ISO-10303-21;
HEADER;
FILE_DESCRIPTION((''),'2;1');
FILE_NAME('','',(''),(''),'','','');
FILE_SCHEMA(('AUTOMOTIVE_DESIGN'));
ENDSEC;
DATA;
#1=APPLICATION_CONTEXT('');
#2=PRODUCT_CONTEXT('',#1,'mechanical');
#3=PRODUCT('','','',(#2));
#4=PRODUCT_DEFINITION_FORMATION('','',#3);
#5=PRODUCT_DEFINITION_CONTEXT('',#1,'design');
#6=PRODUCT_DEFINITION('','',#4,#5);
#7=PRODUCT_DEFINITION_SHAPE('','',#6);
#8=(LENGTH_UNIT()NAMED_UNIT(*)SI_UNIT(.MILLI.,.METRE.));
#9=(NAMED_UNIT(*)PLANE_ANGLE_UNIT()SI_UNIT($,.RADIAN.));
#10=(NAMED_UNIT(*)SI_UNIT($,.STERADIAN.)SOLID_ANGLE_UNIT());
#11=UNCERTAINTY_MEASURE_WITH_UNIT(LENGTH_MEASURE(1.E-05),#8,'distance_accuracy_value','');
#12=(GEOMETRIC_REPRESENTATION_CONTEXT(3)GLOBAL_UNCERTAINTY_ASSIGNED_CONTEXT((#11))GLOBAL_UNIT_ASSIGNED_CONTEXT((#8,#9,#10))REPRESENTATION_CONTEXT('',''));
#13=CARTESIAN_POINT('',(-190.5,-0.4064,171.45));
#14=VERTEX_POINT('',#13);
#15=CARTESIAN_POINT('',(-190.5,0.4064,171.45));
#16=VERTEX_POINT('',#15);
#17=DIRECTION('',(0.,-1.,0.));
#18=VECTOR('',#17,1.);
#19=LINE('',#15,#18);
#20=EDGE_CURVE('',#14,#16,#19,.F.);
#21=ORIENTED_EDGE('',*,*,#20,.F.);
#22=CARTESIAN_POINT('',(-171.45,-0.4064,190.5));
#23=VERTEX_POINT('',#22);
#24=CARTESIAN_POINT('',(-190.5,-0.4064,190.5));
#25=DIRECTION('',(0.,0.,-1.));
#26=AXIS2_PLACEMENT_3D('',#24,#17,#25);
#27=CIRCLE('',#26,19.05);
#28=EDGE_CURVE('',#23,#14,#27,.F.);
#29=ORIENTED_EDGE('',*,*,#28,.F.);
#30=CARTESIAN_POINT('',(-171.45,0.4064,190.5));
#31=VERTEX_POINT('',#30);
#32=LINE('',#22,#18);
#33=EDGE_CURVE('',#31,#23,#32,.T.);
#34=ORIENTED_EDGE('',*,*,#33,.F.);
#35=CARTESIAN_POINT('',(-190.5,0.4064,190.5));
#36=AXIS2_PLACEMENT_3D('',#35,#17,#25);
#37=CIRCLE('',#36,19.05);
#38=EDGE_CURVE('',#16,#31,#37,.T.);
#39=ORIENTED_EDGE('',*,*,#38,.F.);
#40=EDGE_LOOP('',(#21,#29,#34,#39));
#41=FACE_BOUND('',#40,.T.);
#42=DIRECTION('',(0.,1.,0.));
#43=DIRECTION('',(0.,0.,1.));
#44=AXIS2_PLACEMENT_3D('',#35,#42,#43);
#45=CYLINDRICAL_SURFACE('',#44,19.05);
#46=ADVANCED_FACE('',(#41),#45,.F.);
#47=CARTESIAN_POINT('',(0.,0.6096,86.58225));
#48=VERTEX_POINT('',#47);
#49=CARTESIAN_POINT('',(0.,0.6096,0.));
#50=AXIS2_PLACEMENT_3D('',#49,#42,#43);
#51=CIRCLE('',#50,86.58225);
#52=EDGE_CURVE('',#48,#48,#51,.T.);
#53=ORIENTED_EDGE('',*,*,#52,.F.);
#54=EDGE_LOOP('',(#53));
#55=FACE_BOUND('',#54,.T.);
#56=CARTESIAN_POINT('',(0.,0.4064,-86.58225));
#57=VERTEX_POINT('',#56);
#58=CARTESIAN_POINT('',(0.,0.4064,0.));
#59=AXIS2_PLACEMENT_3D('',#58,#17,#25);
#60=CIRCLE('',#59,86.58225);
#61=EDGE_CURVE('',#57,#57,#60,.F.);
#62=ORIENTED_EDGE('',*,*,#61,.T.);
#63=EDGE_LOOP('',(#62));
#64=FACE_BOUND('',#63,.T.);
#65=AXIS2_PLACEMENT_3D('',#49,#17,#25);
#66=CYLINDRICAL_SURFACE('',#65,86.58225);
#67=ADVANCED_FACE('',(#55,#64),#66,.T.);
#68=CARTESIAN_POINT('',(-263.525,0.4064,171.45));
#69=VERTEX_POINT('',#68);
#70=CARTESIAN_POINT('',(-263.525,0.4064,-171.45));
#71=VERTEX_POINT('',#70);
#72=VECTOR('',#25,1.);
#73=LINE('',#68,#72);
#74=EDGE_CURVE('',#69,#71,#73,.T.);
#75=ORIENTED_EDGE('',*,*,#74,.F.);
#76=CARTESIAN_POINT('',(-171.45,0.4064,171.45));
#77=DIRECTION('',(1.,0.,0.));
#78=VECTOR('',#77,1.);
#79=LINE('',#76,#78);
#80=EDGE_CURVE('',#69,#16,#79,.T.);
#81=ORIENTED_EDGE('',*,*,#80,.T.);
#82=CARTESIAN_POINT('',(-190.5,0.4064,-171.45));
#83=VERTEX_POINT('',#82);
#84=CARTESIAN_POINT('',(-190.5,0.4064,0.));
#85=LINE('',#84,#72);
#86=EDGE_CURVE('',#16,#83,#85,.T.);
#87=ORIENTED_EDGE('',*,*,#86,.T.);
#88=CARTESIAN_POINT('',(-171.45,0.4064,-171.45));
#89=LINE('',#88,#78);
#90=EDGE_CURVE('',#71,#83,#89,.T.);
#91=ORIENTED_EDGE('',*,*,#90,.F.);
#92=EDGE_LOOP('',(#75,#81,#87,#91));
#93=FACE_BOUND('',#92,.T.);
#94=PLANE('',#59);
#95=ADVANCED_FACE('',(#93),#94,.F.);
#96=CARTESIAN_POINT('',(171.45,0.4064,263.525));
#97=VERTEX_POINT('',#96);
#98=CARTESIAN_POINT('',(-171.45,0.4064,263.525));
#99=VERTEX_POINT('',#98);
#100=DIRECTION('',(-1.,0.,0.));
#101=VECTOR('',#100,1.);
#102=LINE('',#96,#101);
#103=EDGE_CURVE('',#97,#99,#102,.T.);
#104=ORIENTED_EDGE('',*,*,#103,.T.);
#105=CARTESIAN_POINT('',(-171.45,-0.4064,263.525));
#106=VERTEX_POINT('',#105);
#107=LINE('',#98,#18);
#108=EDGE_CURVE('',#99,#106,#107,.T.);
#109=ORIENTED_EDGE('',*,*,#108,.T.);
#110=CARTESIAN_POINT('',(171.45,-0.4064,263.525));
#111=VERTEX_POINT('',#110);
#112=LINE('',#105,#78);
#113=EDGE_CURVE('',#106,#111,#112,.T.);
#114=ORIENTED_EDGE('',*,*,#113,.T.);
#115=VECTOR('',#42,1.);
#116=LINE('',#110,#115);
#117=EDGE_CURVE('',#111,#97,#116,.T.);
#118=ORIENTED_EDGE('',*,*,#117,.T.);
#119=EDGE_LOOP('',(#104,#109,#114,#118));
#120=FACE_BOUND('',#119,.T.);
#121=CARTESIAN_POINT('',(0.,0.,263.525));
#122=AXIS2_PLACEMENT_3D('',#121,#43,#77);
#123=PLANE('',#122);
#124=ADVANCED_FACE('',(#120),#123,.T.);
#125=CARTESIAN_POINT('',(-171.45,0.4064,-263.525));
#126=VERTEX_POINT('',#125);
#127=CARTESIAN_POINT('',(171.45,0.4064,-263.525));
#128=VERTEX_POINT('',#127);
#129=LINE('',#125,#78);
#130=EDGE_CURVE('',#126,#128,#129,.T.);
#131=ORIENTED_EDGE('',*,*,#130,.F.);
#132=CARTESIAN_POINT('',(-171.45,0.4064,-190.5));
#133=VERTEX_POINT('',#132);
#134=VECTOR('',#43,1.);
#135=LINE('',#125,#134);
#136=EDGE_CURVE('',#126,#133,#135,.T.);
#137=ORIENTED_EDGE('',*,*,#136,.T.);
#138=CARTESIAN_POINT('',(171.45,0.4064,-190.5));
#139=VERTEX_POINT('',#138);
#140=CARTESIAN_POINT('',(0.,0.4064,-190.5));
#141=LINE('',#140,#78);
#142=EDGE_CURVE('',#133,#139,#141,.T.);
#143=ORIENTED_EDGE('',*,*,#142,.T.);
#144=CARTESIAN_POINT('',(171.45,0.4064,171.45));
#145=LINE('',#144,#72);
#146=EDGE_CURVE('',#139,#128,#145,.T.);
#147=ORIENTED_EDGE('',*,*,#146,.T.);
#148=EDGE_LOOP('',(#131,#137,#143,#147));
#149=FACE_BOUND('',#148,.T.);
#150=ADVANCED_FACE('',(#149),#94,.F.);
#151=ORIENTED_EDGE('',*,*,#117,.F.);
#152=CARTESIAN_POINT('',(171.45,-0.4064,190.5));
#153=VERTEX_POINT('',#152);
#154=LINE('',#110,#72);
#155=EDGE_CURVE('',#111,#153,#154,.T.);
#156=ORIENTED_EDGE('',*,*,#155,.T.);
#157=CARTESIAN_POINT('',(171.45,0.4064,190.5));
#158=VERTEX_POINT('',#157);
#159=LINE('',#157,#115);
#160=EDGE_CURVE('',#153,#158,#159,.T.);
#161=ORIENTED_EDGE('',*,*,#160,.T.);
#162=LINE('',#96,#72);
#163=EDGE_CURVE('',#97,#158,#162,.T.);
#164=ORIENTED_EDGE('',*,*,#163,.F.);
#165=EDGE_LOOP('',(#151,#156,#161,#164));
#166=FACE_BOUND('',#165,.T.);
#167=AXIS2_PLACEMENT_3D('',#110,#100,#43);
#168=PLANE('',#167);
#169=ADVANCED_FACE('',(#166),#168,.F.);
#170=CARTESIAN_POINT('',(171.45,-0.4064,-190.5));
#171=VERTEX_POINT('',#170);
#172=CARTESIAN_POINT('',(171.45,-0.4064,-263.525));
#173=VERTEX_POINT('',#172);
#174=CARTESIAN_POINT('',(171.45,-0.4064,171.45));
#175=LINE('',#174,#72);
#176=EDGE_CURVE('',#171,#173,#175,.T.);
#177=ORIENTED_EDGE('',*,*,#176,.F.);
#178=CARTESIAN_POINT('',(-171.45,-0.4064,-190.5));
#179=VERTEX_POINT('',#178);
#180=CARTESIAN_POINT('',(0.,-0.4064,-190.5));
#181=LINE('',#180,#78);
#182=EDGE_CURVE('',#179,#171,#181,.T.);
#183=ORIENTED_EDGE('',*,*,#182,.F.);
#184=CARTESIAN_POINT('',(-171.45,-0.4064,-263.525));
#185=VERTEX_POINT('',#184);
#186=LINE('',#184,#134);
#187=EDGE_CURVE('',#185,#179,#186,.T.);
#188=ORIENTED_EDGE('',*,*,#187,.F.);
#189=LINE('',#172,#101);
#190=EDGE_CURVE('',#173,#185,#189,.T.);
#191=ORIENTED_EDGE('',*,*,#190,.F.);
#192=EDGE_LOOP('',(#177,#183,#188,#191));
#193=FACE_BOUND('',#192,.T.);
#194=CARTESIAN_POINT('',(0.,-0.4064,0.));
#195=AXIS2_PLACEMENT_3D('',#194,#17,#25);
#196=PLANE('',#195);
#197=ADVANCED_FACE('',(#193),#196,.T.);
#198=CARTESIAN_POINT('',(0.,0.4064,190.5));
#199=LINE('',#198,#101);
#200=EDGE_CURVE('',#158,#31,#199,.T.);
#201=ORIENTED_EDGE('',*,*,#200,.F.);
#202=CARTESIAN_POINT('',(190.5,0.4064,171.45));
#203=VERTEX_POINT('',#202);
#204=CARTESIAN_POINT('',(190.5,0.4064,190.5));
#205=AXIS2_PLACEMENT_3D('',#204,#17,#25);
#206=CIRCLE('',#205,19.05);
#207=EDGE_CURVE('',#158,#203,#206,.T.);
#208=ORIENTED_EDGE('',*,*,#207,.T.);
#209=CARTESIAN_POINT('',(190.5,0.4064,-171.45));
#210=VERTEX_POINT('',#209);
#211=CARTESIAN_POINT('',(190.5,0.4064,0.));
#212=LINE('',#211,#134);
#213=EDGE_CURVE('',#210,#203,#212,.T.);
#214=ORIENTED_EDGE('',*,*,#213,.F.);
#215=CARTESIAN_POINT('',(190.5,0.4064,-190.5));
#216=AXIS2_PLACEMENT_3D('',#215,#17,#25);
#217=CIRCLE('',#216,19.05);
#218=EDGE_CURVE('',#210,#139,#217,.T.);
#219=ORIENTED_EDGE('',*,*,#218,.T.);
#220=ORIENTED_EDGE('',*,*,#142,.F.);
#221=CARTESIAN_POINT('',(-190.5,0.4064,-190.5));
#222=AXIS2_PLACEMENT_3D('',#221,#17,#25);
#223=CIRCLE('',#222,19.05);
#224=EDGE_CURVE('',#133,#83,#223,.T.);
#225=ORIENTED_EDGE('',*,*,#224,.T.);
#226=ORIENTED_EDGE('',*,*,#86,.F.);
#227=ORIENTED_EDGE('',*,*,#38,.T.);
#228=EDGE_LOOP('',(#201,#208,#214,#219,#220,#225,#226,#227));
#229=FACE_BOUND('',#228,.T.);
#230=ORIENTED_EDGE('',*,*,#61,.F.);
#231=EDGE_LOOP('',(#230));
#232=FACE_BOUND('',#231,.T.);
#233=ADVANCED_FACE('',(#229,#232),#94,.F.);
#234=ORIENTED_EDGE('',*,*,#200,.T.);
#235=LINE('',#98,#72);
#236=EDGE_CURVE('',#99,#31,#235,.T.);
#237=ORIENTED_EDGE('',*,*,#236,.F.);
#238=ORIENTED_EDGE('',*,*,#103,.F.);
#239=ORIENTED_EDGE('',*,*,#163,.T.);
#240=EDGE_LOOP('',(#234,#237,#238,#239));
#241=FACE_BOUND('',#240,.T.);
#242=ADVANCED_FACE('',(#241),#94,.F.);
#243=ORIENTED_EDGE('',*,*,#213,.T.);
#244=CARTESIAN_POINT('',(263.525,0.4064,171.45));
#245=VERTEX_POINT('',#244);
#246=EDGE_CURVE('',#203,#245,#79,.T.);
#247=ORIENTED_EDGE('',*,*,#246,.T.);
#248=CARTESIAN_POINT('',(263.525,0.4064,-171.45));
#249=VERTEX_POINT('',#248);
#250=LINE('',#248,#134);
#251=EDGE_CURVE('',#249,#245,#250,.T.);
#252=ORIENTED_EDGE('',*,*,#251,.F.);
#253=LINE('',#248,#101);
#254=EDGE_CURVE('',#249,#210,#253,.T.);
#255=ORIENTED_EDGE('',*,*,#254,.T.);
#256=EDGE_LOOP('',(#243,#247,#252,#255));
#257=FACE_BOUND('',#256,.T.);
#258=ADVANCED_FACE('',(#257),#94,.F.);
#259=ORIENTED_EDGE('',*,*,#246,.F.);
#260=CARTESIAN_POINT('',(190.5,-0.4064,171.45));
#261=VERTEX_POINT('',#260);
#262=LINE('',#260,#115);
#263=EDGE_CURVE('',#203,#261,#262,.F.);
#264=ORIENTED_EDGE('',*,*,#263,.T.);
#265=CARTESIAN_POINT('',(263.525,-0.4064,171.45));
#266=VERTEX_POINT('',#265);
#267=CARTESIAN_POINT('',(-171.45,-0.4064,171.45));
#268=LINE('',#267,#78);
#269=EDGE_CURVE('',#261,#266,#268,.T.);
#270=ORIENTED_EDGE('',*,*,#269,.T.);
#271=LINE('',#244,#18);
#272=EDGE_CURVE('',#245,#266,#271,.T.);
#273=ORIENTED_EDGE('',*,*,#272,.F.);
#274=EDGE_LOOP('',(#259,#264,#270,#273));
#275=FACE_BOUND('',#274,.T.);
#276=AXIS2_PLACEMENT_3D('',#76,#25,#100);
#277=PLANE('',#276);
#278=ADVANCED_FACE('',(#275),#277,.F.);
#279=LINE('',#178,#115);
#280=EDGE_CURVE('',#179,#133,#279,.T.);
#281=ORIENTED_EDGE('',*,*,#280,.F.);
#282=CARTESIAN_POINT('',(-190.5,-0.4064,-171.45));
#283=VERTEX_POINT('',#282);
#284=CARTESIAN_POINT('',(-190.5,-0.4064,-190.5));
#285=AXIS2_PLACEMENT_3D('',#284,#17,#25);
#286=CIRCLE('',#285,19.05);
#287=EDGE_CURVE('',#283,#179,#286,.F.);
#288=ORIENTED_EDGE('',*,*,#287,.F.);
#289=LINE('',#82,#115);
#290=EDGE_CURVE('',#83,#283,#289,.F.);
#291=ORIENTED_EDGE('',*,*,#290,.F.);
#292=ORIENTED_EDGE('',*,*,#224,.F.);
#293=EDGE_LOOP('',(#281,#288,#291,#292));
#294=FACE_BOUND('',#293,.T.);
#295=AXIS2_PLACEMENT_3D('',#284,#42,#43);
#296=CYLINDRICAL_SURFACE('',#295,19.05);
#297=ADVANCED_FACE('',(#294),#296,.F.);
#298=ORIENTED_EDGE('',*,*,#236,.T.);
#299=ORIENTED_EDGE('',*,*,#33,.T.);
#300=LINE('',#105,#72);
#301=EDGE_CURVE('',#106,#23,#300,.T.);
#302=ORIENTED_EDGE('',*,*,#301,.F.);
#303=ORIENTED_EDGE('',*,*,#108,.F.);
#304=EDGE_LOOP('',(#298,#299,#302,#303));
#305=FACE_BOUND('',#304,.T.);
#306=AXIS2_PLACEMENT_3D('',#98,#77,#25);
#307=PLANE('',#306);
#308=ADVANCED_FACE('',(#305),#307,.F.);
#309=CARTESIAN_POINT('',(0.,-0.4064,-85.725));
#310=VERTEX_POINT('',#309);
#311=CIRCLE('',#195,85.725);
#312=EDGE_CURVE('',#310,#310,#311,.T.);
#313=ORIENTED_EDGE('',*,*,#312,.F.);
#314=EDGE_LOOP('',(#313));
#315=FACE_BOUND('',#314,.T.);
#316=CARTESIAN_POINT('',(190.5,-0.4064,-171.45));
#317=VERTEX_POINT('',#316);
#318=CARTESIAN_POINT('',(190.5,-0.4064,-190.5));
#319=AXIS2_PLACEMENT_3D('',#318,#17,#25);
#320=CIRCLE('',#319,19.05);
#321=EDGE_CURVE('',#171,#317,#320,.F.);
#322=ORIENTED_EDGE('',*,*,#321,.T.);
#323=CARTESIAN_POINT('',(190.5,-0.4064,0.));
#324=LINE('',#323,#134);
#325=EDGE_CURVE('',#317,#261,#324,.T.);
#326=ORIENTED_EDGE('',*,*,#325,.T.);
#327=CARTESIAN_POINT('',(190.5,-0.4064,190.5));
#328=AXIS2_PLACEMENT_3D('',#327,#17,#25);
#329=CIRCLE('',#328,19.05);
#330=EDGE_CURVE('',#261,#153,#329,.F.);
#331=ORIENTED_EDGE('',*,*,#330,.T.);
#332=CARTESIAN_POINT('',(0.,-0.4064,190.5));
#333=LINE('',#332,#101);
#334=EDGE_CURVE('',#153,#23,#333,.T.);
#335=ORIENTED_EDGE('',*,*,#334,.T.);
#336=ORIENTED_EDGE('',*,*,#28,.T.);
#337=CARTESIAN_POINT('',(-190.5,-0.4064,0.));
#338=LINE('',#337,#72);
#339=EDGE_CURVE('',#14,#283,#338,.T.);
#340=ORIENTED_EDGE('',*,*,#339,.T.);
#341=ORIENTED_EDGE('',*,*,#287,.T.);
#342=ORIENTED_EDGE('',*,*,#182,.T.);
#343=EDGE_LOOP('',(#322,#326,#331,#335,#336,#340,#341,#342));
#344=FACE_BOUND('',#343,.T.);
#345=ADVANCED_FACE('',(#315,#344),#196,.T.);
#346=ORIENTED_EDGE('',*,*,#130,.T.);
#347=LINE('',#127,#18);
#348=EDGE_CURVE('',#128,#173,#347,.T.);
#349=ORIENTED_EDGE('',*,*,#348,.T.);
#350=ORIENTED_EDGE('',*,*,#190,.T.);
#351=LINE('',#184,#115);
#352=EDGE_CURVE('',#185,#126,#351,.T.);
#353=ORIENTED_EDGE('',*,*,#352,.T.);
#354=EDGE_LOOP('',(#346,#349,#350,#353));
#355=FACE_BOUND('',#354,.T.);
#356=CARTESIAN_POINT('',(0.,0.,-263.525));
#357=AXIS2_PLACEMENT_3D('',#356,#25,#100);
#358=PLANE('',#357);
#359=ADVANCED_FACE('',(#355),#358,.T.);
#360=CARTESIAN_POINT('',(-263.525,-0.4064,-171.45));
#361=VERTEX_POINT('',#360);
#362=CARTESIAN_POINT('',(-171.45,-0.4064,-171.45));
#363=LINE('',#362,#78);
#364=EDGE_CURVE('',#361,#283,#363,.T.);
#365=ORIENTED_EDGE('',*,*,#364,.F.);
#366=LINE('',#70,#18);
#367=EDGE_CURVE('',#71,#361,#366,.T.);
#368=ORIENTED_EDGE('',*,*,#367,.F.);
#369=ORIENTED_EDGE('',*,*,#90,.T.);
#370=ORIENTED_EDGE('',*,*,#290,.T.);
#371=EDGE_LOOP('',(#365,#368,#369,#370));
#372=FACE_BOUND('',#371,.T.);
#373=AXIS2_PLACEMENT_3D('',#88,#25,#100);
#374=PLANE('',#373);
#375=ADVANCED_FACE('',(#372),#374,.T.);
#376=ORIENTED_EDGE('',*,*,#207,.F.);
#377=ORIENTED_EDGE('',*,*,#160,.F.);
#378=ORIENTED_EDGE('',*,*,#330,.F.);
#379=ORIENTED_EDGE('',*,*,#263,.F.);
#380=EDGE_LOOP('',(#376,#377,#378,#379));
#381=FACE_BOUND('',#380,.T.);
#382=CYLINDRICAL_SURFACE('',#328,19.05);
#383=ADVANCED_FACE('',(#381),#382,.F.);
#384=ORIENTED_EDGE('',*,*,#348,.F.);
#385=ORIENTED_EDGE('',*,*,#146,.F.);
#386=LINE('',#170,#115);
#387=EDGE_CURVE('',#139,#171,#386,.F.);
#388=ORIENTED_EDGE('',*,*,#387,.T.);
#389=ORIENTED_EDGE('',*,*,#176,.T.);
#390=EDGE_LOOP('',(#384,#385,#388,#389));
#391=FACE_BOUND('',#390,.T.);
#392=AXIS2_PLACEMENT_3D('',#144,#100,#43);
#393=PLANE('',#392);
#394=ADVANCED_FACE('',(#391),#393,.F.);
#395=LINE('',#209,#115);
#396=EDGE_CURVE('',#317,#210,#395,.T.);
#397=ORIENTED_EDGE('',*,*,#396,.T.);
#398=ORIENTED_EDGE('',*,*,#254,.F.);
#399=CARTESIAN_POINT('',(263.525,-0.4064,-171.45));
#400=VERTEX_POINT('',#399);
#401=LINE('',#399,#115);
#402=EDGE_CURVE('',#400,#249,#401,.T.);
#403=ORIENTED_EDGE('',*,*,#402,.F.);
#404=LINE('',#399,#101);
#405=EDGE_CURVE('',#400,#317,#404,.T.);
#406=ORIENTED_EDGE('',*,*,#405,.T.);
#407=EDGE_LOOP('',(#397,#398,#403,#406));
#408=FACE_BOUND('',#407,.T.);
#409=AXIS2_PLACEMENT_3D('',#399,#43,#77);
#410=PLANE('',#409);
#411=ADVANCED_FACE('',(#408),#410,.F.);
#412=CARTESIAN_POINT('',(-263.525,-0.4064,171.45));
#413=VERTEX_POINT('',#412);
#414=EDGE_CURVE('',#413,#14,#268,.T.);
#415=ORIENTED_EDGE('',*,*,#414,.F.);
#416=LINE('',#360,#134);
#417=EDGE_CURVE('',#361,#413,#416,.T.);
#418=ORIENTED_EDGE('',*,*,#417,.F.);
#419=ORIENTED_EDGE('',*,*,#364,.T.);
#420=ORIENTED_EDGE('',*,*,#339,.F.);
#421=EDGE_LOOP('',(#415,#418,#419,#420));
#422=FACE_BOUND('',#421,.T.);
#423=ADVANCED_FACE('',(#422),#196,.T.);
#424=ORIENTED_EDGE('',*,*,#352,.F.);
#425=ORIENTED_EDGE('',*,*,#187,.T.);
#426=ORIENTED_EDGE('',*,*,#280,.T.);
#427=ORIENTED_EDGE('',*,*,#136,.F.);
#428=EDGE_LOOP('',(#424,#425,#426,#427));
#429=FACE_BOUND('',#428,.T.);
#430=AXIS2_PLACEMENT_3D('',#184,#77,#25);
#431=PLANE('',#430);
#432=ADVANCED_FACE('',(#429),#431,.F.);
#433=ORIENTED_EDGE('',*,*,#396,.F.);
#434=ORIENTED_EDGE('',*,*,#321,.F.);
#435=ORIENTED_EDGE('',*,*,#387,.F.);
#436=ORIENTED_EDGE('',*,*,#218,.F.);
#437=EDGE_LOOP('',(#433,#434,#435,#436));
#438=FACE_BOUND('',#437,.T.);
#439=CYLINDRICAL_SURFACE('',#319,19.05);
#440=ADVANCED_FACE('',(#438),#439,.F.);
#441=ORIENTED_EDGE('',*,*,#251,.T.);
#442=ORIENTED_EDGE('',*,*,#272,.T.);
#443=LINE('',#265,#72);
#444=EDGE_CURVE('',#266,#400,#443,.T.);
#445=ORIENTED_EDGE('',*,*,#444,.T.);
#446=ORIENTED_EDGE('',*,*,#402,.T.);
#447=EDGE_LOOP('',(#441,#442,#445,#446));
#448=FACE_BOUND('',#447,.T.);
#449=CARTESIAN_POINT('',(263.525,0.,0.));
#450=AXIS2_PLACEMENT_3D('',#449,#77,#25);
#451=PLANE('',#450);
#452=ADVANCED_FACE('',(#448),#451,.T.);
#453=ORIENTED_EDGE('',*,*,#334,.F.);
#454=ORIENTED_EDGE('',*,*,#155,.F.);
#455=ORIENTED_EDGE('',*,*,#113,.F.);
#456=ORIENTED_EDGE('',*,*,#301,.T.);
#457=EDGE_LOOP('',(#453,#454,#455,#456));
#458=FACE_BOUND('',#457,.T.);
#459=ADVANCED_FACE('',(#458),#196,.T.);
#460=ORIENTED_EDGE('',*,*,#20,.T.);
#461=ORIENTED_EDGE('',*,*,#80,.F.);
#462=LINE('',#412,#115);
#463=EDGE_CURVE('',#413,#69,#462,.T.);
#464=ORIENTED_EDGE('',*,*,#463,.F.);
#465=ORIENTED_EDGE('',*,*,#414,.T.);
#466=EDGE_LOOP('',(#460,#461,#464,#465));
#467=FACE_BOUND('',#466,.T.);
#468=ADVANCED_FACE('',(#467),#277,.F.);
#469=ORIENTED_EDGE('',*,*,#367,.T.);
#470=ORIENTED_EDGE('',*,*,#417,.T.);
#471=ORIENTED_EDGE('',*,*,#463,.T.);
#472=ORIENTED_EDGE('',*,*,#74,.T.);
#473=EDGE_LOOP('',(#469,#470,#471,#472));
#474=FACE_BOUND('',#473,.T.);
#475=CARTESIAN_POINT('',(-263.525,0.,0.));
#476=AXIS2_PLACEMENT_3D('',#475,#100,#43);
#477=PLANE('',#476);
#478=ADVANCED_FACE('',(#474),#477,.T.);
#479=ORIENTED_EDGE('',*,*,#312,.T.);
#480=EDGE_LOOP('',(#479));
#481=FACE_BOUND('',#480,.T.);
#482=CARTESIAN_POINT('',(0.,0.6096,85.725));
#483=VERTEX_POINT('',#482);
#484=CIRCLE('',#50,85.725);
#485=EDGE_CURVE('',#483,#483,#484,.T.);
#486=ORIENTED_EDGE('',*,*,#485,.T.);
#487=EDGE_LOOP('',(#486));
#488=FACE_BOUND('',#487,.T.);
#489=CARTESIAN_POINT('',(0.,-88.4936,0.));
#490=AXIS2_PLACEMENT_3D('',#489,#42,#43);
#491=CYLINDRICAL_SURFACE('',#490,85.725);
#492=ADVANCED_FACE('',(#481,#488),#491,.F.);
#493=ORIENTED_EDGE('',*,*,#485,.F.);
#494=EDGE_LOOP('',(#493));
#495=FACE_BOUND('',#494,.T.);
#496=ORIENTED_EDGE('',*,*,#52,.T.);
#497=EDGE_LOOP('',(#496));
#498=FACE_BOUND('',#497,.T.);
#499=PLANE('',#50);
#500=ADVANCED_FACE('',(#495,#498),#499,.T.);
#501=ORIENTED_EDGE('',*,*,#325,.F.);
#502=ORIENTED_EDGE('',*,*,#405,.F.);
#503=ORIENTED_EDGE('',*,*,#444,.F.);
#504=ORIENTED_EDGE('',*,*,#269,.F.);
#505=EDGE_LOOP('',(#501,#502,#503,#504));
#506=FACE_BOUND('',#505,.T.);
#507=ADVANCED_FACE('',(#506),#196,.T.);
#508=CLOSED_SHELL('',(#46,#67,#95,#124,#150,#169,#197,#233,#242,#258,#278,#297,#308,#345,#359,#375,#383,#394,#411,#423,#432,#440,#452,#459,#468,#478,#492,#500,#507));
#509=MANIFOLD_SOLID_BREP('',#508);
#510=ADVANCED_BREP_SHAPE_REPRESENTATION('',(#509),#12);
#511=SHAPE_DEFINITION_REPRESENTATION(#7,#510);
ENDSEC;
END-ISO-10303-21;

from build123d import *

# Parameters (mm, degrees)
SKETCH1_W           = 342.9
SKETCH1_H           = 342.9
BOSS_EXTRUDE1_DEPTH = 0.4064
SKETCH4_W           = 342.9
SKETCH4_H           = 0.8128
BOSS_EXTRUDE3_DEPTH = 92.075
CIRPATTERN1_COUNT   = 4
FILLET1_R           = 19.05
SKETCH7_R           = 85.725
CUT_EXTRUDE1_DEPTH  = 88.9
SKETCH7_3_R         = 86.58225
SKETCH7_3_R_2       = 85.725
BOSS_EXTRUDE4_DEPTH = 0.2032


with BuildPart() as part:
    # Sketch1 → Boss-Extrude1 (new, symmetric)
    with BuildSketch(Plane(origin=(0, 0, 0), x_dir=(1, 0, 0), z_dir=(0, 1, 0))):
        Rectangle(SKETCH1_W, SKETCH1_H)
    extrude(amount=BOSS_EXTRUDE1_DEPTH, both=True)

    # Sketch4 → Boss-Extrude3 (add)
    with BuildSketch(Plane.ZY.offset(171.45)):
        Rectangle(SKETCH4_W, SKETCH4_H)
    boss_extrude3 = extrude(amount=BOSS_EXTRUDE3_DEPTH)

    # CirPattern1: Boss-Extrude3 ×4 about axis
    cirpattern1_axis = Axis((0, 2.794, 0), (0, -1, 0))
    for i in range(1, CIRPATTERN1_COUNT):
        add(boss_extrude3.rotate(cirpattern1_axis, i * 360 / CIRPATTERN1_COUNT))

    # Fillet1
    fillet1_edges = [part.edges().sort_by_distance(p)[0] for p in [
        (-171.45, 0, -171.45),
        (-171.45, 0, 171.45),
        (171.45, 0, 171.45),
        (171.45, 0, -171.45),
    ]]
    fillet(fillet1_edges, radius=FILLET1_R)

    # Sketch7 → Cut-Extrude1 (cut)
    with BuildSketch(Plane(origin=(0, 0.4064, 0), x_dir=(1, 0, 0), z_dir=(0, 1, 0))):
        Circle(SKETCH7_R)
    extrude(amount=-CUT_EXTRUDE1_DEPTH, mode=Mode.SUBTRACT)

    # Sketch7<3> → Boss-Extrude4 (add, symmetric)
    with BuildSketch(Plane(origin=(0, 0.4064, 0), x_dir=(1, 0, 0), z_dir=(0, 1, 0))):
        Circle(SKETCH7_3_R)
        Circle(SKETCH7_3_R_2, mode=Mode.SUBTRACT)
    extrude(amount=BOSS_EXTRUDE4_DEPTH, both=True)


solid = part.part
